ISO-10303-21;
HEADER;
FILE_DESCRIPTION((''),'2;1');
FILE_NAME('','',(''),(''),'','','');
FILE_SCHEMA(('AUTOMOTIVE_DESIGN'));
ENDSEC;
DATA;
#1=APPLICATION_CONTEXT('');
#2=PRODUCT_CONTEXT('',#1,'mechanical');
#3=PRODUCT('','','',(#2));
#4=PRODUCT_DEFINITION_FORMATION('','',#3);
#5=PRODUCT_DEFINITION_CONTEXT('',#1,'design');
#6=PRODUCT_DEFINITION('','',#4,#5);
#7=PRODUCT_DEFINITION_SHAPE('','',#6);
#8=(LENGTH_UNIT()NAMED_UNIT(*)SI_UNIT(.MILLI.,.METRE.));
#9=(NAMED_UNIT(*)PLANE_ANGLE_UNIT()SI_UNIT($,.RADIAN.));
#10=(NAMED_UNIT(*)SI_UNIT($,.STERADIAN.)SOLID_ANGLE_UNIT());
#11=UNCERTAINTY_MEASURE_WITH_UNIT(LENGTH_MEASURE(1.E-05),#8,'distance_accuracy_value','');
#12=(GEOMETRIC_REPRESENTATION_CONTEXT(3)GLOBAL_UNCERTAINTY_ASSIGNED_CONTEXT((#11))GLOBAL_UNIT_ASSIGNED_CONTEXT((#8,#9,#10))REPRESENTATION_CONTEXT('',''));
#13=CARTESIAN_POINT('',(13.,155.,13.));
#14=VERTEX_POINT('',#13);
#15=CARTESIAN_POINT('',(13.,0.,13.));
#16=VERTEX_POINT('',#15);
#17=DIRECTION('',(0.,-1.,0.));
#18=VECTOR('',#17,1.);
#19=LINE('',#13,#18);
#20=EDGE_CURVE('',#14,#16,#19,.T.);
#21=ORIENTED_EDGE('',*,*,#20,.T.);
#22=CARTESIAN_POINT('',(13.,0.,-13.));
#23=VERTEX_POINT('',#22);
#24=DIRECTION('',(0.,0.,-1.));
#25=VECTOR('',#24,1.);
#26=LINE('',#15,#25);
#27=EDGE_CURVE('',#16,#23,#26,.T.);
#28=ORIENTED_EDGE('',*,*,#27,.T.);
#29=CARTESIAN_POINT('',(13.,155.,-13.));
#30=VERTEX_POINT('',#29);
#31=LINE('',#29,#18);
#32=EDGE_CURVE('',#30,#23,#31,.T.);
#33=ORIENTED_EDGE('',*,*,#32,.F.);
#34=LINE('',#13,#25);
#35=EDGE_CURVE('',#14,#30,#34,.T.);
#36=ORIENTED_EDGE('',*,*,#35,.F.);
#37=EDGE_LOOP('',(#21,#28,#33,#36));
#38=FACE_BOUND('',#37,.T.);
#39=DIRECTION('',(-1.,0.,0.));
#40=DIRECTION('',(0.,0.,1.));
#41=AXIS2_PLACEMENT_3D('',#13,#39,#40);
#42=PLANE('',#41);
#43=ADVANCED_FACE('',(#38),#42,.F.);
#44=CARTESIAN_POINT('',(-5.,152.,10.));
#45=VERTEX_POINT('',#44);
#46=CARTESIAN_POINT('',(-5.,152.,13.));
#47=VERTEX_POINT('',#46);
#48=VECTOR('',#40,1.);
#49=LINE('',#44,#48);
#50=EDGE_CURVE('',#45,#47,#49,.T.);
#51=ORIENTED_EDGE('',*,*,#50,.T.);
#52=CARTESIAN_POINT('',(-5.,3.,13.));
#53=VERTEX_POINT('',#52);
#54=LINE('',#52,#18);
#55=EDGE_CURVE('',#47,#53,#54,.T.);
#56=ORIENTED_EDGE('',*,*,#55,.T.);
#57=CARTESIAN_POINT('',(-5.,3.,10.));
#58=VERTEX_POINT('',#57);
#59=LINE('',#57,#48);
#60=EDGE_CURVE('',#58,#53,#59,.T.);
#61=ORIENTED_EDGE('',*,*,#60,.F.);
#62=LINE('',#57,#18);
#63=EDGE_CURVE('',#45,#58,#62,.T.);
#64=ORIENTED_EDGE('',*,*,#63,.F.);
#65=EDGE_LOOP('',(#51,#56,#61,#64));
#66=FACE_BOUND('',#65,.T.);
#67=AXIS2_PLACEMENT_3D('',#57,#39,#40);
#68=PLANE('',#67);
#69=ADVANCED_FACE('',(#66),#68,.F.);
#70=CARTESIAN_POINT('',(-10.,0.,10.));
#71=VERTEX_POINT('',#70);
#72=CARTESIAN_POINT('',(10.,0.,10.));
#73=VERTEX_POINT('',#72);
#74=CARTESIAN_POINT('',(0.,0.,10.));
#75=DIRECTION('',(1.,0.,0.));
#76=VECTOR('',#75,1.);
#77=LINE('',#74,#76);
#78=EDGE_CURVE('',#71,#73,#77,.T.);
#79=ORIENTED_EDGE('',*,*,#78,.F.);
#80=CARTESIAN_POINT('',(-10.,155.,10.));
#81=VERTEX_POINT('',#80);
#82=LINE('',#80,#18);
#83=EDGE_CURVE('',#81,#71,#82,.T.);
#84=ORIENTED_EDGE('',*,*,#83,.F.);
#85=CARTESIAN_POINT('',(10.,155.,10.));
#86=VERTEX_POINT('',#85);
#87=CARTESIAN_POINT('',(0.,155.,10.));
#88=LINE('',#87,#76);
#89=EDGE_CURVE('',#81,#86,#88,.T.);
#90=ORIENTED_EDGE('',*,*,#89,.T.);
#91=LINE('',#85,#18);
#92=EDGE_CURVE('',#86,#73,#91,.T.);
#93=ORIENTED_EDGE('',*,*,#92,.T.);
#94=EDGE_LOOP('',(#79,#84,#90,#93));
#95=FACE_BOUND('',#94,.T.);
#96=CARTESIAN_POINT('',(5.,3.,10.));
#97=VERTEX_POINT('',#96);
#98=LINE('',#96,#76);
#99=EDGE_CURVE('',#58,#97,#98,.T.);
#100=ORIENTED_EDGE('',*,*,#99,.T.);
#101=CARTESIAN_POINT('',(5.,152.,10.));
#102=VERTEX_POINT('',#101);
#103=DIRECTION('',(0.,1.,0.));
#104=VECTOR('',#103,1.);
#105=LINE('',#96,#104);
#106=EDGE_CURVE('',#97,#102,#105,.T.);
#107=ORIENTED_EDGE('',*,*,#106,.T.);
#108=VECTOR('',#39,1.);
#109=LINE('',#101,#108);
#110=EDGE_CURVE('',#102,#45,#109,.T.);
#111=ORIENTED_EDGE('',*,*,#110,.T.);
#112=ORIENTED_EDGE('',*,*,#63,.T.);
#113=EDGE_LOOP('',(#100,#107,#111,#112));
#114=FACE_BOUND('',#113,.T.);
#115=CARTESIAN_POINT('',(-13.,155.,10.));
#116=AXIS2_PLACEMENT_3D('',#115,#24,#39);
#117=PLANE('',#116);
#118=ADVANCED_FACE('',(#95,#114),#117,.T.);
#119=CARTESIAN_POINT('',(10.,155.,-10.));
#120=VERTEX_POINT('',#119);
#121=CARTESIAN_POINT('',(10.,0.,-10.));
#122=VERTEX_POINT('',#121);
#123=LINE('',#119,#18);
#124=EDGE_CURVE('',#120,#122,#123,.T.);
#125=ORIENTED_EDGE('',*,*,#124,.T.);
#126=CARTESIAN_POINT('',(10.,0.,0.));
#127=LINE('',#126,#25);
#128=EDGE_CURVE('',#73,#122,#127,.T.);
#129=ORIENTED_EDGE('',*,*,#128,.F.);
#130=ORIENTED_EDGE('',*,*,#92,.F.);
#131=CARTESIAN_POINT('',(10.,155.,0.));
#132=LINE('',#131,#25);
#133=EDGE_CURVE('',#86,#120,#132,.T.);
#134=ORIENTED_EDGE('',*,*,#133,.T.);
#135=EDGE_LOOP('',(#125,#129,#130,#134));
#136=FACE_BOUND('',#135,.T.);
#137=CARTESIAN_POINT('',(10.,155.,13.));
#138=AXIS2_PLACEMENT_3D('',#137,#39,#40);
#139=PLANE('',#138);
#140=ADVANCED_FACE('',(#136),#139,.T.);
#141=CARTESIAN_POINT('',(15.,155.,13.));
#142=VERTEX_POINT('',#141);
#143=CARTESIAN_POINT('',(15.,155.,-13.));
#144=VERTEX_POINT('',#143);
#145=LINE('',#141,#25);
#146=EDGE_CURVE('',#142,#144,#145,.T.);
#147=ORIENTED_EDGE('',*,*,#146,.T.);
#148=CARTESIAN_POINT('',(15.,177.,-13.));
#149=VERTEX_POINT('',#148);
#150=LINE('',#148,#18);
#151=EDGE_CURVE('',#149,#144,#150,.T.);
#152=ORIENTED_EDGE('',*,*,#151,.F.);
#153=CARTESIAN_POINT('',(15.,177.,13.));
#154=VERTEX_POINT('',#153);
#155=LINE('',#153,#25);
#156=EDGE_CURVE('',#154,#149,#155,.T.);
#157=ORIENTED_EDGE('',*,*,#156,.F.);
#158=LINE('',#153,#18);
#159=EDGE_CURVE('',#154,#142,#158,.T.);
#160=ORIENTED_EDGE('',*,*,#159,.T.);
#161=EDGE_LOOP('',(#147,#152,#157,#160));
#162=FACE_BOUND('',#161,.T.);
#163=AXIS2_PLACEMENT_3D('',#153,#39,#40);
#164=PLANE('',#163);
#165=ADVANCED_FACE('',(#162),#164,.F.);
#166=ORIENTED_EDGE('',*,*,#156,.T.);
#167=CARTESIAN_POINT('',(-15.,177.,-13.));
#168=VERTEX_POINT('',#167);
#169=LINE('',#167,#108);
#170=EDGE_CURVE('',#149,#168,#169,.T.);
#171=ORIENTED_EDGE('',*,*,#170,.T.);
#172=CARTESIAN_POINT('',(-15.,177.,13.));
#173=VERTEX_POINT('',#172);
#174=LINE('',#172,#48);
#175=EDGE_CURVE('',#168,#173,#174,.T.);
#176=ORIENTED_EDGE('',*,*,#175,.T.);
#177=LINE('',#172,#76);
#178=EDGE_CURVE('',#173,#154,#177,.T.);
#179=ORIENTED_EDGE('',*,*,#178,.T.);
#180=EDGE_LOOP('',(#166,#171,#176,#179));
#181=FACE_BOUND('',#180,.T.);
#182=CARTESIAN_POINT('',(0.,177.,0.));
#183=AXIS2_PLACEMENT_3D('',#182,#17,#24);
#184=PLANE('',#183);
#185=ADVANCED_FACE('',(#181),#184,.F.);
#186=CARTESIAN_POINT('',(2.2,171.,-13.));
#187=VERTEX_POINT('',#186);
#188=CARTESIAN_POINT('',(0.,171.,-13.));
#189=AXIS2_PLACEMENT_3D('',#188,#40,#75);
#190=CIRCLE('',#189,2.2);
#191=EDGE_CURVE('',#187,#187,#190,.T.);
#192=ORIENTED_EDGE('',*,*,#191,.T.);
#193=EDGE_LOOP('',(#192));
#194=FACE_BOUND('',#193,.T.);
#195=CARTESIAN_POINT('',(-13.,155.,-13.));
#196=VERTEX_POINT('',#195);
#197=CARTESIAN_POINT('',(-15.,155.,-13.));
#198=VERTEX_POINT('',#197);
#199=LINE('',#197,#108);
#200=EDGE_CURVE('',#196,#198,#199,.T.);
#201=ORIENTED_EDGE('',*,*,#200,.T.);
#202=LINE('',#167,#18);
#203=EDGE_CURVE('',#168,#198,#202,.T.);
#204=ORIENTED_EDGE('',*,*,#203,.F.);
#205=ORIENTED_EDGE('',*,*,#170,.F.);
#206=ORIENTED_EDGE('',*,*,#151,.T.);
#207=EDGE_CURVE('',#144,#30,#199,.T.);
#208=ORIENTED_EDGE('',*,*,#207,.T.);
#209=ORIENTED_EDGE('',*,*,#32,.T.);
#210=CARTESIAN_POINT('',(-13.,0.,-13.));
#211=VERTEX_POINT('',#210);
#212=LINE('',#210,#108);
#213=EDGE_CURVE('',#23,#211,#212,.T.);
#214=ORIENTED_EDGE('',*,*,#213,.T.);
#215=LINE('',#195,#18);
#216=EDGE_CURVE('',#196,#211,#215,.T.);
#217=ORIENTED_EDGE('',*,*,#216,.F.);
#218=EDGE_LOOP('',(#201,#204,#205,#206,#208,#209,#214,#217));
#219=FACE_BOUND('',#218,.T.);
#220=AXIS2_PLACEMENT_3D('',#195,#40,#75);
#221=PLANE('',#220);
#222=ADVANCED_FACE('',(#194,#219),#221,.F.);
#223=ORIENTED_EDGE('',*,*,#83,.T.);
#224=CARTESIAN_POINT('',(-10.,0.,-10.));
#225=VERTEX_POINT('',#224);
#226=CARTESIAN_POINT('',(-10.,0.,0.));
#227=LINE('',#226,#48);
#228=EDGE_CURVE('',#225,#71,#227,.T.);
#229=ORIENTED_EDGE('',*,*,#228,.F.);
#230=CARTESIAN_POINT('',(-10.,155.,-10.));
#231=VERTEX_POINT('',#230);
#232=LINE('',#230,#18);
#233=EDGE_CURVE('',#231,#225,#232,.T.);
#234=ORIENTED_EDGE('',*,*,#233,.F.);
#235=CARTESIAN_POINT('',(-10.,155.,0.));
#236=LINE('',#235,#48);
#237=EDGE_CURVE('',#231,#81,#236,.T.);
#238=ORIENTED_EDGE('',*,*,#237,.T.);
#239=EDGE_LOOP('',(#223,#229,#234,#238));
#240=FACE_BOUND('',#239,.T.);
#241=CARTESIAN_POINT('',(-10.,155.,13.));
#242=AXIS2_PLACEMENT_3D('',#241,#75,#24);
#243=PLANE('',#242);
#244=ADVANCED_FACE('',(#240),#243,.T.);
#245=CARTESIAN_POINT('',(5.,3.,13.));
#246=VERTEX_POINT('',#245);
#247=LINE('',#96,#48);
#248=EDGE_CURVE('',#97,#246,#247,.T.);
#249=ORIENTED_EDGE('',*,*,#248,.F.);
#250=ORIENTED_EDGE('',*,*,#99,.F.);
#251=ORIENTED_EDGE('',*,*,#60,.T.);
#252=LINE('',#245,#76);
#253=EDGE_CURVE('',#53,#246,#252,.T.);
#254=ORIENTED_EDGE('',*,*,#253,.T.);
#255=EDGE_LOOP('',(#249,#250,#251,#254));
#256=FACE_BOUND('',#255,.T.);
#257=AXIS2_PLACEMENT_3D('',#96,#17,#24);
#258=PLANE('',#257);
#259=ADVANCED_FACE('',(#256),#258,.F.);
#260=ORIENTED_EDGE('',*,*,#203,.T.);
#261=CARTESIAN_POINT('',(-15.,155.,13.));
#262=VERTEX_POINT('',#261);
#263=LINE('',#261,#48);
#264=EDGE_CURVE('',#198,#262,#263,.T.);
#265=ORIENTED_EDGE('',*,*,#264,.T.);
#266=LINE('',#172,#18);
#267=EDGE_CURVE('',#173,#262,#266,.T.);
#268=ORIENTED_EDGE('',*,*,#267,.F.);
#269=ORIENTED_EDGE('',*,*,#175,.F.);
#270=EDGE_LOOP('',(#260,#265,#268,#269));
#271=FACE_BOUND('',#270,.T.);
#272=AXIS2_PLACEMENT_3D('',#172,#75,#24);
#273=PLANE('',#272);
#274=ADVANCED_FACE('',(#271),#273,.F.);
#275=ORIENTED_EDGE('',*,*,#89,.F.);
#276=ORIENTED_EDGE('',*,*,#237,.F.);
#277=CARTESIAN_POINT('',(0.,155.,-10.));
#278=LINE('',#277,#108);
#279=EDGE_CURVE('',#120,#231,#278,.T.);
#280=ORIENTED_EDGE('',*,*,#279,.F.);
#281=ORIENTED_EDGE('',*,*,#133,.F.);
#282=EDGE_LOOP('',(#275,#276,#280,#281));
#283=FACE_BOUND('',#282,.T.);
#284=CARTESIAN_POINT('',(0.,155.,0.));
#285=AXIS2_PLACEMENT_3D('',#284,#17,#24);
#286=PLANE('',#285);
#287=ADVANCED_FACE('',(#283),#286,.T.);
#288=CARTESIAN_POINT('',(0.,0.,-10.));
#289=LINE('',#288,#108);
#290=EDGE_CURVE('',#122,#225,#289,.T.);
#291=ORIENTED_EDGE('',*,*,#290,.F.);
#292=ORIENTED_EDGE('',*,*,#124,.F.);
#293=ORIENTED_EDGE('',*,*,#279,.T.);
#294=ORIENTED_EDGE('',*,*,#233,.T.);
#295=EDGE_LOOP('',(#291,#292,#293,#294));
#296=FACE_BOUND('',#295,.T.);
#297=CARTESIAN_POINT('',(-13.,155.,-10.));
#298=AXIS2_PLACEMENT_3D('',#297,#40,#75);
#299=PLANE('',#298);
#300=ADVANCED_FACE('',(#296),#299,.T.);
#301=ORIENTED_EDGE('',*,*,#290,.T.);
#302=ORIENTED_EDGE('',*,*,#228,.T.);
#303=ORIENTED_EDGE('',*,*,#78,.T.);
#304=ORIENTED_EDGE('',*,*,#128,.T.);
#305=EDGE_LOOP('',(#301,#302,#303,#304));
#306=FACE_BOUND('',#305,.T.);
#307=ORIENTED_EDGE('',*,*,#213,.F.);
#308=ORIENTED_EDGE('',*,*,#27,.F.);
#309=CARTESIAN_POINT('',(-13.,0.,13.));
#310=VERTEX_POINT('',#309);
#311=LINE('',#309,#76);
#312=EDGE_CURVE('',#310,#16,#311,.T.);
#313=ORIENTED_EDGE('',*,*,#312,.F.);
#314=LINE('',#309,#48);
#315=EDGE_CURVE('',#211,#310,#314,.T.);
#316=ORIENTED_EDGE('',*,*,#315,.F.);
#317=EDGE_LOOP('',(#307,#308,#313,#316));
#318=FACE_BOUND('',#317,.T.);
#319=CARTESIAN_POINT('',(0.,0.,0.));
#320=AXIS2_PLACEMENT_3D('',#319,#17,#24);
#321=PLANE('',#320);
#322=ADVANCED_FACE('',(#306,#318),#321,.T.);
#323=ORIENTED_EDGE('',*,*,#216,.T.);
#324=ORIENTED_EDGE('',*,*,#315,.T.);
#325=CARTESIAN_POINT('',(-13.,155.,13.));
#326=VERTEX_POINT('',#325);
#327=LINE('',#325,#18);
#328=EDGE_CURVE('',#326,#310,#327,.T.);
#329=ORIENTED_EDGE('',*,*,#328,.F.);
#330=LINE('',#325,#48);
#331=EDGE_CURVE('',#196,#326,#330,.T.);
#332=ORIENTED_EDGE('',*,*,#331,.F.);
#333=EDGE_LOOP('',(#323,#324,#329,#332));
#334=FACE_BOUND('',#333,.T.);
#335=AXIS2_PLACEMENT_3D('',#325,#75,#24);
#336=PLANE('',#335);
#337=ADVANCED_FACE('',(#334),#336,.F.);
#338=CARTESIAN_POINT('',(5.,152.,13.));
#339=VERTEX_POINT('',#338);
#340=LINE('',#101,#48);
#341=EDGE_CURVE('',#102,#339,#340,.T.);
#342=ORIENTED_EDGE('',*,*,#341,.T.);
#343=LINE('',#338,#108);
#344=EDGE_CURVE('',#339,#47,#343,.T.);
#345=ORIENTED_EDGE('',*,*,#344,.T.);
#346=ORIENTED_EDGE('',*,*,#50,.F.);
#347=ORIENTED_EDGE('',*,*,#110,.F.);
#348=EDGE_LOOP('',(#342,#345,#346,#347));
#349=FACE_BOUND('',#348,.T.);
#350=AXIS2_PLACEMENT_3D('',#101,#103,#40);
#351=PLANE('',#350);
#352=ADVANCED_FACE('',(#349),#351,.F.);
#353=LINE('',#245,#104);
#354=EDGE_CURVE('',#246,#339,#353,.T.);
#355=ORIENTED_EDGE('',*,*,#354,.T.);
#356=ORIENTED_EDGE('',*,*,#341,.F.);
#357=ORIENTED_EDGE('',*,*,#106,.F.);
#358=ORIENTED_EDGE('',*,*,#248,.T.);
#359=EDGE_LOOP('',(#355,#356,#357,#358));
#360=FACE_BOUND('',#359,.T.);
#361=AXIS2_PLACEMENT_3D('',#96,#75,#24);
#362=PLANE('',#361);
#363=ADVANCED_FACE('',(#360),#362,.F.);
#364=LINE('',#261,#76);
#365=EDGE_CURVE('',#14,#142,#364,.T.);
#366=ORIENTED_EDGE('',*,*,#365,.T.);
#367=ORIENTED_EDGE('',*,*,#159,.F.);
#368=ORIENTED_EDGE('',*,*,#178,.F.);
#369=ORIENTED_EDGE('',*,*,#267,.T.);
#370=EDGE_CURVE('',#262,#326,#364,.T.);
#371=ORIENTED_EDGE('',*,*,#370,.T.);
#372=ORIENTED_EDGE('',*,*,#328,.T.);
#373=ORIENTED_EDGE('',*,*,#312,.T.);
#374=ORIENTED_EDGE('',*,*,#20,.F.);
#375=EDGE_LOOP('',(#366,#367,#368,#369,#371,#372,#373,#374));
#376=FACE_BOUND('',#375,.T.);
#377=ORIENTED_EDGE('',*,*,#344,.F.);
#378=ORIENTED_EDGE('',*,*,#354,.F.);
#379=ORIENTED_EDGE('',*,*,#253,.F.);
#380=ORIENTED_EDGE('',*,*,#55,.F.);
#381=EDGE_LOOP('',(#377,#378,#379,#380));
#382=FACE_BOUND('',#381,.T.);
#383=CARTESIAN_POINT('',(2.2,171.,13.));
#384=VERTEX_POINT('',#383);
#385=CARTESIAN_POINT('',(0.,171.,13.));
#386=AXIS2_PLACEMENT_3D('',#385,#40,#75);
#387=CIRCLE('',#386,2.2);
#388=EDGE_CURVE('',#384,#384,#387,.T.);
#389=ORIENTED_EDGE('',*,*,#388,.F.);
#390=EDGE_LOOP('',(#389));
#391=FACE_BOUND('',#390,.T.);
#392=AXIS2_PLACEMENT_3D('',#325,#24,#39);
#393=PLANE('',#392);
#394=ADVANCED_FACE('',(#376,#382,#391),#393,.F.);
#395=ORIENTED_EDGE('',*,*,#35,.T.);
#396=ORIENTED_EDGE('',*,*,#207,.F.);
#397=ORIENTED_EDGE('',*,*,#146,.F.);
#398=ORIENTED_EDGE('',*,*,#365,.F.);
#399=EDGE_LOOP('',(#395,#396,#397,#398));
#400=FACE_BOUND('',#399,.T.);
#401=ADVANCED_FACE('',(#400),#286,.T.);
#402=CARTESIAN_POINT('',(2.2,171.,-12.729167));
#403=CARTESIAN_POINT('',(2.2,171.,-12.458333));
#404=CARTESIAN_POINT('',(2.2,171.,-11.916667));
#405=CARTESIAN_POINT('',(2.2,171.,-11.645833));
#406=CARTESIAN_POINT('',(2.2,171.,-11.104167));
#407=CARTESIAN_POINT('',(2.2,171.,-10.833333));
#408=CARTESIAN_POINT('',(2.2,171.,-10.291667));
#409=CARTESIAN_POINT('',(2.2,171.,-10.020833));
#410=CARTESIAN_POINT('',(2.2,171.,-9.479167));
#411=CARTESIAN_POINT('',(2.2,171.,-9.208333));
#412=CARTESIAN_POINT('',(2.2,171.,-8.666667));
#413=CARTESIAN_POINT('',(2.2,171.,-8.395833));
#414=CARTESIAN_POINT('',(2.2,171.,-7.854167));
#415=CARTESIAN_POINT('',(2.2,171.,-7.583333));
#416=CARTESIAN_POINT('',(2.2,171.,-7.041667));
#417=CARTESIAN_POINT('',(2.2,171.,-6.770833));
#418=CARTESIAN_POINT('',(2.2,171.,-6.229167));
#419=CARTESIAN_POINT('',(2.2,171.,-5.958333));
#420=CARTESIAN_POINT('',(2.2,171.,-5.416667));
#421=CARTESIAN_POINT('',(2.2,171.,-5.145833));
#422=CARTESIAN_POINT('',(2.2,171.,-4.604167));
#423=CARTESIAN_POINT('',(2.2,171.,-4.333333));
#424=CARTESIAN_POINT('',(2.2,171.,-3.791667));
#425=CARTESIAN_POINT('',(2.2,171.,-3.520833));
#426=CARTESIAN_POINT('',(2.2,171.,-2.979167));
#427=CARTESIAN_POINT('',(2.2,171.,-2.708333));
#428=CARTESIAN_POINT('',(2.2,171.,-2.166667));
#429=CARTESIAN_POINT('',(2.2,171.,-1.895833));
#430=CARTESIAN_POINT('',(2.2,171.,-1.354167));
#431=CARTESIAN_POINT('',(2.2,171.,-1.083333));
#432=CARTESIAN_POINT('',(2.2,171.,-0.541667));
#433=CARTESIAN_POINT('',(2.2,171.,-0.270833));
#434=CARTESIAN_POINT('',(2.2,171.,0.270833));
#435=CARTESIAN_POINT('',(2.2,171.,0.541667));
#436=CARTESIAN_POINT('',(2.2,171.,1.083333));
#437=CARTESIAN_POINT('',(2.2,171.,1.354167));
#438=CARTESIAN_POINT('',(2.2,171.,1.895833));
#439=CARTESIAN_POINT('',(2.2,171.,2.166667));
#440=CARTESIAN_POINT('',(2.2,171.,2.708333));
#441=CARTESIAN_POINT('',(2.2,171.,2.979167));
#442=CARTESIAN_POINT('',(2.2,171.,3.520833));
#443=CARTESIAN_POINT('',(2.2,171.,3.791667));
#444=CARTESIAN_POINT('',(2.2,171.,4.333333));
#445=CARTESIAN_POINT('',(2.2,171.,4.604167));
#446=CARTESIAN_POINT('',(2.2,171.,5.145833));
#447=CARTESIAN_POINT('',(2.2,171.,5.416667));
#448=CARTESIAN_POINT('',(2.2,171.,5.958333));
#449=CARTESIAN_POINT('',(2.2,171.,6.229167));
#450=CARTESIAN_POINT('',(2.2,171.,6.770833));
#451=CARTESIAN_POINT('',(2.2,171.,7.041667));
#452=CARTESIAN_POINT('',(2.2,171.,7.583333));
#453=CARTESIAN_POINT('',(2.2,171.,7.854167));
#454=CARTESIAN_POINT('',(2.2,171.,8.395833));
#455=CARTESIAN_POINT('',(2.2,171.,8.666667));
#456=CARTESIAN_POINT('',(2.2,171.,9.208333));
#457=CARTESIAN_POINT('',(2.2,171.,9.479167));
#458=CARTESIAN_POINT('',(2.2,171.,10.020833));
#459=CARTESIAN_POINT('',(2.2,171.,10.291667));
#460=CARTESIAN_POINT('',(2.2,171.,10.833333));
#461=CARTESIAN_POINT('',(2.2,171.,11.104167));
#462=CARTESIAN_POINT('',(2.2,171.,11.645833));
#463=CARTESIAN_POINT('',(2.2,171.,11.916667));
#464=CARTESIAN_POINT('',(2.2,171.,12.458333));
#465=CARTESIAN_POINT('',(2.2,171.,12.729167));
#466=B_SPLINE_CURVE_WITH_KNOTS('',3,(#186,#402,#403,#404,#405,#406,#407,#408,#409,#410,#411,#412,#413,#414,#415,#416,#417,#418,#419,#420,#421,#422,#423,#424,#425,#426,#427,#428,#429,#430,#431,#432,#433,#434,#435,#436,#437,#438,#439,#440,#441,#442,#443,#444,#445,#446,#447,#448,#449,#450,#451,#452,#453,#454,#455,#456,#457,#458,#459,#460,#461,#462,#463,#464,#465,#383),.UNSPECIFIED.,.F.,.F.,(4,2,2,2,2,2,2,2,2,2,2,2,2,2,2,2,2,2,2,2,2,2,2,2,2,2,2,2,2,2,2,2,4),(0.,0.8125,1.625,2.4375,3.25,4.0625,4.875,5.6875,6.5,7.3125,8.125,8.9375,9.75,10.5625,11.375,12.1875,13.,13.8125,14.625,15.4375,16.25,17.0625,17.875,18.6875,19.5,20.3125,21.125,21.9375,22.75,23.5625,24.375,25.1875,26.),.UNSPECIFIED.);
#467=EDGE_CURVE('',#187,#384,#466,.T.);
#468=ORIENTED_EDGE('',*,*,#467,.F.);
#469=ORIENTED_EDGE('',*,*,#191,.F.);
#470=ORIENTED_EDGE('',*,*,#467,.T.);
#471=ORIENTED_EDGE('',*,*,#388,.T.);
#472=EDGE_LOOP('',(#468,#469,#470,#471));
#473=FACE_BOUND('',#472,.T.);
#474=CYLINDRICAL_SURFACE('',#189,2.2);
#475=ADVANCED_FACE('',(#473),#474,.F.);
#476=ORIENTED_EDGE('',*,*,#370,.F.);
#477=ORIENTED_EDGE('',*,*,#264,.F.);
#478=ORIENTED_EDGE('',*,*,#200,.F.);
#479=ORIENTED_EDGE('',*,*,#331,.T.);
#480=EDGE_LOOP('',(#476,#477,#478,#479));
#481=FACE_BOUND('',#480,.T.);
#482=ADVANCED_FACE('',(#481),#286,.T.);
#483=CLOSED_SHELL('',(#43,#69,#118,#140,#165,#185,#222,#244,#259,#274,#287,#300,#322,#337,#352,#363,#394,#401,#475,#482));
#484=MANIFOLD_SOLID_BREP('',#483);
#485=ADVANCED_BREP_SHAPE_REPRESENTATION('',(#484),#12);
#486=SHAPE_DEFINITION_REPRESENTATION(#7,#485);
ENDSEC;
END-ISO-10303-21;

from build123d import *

# Parameters (mm, degrees)
SKETCH1_W           = 26
SKETCH1_H           = 26
BOSS_EXTRUDE1_DEPTH = 155
SHELL1_T            = -3
SKETCH2_W           = 10
SKETCH2_H           = 149
CUT_EXTRUDE1_DEPTH  = 3
SKETCH3_W           = 30
SKETCH3_H           = 26
BOSS_EXTRUDE2_DEPTH = 22
SKETCH4_R           = 2.2
CUT_EXTRUDE2_DEPTH  = 180.52715672


with BuildPart() as part:
    # Sketch1 → Boss-Extrude1 (new body)
    with BuildSketch(Plane(origin=(0, 0, 0), x_dir=(1, 0, 0), z_dir=(0, 1, 0))):
        Rectangle(SKETCH1_W, SKETCH1_H)
    extrude(amount=BOSS_EXTRUDE1_DEPTH)

    # Shell1
    shell1_openings = [part.faces().sort_by_distance(p)[0] for p in [
        (0, 155, 0),
        (0, 0, 0),
    ]]
    offset(amount=SHELL1_T, openings=shell1_openings, kind=Kind.INTERSECTION)

    # Sketch2 → Cut-Extrude1 (cut)
    with BuildSketch(Plane.XY.offset(13)):
        with Locations((0, 77.5)):
            Rectangle(SKETCH2_W, SKETCH2_H)
    extrude(amount=-CUT_EXTRUDE1_DEPTH, mode=Mode.SUBTRACT)

    # Sketch3 → Boss-Extrude2 (add)
    with BuildSketch(Plane(origin=(0, 155, 0), x_dir=(1, 0, 0), z_dir=(0, 1, 0))):
        Rectangle(SKETCH3_W, SKETCH3_H)
    extrude(amount=BOSS_EXTRUDE2_DEPTH)

    # Sketch4 → Cut-Extrude2 (cut, through all)
    with BuildSketch(Plane.XY.offset(13)):
        with Locations((0, 171)):
            Circle(SKETCH4_R)
    extrude(amount=-CUT_EXTRUDE2_DEPTH, mode=Mode.SUBTRACT)


solid = part.part
